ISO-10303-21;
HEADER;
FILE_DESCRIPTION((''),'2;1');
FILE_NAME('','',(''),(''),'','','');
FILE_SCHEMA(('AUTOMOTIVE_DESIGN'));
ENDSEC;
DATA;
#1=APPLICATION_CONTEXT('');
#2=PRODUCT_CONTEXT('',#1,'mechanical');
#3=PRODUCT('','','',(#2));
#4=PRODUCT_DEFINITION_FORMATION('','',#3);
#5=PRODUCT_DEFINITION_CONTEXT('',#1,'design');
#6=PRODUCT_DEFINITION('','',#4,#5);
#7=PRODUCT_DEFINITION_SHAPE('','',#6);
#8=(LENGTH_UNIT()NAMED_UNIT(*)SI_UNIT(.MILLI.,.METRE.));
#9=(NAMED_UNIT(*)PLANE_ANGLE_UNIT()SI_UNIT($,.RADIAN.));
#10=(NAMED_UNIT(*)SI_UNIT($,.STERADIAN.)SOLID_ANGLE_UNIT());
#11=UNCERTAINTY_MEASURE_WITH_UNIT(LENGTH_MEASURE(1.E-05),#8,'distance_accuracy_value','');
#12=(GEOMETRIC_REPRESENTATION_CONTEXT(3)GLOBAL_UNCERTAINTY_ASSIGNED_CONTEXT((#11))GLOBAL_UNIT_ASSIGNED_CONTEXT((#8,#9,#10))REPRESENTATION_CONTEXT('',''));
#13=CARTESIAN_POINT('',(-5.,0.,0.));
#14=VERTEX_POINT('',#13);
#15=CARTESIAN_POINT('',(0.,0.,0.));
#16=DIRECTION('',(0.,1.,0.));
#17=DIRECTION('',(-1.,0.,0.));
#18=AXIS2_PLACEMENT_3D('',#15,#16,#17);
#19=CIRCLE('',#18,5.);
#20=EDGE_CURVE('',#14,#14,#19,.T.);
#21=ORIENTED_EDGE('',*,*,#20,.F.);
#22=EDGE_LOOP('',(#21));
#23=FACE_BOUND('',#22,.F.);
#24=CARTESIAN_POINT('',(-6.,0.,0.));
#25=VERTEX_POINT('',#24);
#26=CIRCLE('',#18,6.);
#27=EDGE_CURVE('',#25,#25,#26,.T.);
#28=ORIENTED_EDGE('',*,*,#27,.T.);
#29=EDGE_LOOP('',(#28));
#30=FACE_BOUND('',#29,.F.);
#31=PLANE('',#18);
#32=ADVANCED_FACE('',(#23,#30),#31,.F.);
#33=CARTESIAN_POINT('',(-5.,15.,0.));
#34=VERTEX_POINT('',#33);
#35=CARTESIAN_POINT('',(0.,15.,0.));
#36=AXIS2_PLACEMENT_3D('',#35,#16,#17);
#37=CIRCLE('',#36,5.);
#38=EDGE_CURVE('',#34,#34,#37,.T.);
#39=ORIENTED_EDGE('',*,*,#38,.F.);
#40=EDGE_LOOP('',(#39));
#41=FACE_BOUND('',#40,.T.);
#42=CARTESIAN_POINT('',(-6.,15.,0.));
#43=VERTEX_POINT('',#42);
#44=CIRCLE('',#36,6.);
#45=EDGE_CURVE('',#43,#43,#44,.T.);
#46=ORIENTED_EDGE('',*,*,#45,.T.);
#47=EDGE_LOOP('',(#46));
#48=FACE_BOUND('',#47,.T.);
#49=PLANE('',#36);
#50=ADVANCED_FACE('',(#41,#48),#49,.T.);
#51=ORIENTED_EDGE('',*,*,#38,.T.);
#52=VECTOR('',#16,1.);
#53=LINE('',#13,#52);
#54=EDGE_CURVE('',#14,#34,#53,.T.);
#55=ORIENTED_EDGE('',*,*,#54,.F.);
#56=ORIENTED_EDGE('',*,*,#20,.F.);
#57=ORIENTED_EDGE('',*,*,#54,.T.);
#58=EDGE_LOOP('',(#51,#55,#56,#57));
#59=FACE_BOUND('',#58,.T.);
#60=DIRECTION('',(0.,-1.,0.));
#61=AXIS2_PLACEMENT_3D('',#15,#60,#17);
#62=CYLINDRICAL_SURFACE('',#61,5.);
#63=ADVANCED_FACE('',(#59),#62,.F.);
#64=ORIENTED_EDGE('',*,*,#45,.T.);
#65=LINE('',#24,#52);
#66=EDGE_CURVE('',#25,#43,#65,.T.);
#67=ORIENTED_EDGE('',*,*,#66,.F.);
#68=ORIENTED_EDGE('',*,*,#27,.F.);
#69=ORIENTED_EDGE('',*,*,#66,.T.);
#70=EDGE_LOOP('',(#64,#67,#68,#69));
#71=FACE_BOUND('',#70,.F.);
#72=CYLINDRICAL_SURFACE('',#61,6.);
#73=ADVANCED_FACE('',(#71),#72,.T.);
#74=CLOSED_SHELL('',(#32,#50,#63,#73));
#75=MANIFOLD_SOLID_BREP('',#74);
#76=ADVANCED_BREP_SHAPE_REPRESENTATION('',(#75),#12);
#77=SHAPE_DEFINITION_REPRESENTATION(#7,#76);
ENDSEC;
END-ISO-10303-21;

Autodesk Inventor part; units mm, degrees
ref_plane "YZ Plane" through (0, 0, 0) normal (1, 0, 0) x (0, 1, 0)
ref_plane "XZ Plane" through (0, 0, 0) normal (0, 1, 0) x (-1, 0, 0)
ref_plane "XY Plane" through (0, 0, 0) normal (0, 0, 1) x (1, 0, 0)
sketch "Boceto1" plane through (0, 0, 0) normal (0, 1, 0) x (-1, 0, 0)
  circle A0 centre (0, 0) radius 5
  circle A1 centre (0, 0) radius 6
  dimension "d0" = 10
  dimension "d1" = 1
extrude "Extrusión1" add sketch "Boceto1" along normal blind 15
equation "\"d0\" = 10 * scale"
equation "\"d1\" = scale"
equation "\"d2\" = 15 * scale"
equation "\"scale\" = 1"
properties part number "Rodamiento"
